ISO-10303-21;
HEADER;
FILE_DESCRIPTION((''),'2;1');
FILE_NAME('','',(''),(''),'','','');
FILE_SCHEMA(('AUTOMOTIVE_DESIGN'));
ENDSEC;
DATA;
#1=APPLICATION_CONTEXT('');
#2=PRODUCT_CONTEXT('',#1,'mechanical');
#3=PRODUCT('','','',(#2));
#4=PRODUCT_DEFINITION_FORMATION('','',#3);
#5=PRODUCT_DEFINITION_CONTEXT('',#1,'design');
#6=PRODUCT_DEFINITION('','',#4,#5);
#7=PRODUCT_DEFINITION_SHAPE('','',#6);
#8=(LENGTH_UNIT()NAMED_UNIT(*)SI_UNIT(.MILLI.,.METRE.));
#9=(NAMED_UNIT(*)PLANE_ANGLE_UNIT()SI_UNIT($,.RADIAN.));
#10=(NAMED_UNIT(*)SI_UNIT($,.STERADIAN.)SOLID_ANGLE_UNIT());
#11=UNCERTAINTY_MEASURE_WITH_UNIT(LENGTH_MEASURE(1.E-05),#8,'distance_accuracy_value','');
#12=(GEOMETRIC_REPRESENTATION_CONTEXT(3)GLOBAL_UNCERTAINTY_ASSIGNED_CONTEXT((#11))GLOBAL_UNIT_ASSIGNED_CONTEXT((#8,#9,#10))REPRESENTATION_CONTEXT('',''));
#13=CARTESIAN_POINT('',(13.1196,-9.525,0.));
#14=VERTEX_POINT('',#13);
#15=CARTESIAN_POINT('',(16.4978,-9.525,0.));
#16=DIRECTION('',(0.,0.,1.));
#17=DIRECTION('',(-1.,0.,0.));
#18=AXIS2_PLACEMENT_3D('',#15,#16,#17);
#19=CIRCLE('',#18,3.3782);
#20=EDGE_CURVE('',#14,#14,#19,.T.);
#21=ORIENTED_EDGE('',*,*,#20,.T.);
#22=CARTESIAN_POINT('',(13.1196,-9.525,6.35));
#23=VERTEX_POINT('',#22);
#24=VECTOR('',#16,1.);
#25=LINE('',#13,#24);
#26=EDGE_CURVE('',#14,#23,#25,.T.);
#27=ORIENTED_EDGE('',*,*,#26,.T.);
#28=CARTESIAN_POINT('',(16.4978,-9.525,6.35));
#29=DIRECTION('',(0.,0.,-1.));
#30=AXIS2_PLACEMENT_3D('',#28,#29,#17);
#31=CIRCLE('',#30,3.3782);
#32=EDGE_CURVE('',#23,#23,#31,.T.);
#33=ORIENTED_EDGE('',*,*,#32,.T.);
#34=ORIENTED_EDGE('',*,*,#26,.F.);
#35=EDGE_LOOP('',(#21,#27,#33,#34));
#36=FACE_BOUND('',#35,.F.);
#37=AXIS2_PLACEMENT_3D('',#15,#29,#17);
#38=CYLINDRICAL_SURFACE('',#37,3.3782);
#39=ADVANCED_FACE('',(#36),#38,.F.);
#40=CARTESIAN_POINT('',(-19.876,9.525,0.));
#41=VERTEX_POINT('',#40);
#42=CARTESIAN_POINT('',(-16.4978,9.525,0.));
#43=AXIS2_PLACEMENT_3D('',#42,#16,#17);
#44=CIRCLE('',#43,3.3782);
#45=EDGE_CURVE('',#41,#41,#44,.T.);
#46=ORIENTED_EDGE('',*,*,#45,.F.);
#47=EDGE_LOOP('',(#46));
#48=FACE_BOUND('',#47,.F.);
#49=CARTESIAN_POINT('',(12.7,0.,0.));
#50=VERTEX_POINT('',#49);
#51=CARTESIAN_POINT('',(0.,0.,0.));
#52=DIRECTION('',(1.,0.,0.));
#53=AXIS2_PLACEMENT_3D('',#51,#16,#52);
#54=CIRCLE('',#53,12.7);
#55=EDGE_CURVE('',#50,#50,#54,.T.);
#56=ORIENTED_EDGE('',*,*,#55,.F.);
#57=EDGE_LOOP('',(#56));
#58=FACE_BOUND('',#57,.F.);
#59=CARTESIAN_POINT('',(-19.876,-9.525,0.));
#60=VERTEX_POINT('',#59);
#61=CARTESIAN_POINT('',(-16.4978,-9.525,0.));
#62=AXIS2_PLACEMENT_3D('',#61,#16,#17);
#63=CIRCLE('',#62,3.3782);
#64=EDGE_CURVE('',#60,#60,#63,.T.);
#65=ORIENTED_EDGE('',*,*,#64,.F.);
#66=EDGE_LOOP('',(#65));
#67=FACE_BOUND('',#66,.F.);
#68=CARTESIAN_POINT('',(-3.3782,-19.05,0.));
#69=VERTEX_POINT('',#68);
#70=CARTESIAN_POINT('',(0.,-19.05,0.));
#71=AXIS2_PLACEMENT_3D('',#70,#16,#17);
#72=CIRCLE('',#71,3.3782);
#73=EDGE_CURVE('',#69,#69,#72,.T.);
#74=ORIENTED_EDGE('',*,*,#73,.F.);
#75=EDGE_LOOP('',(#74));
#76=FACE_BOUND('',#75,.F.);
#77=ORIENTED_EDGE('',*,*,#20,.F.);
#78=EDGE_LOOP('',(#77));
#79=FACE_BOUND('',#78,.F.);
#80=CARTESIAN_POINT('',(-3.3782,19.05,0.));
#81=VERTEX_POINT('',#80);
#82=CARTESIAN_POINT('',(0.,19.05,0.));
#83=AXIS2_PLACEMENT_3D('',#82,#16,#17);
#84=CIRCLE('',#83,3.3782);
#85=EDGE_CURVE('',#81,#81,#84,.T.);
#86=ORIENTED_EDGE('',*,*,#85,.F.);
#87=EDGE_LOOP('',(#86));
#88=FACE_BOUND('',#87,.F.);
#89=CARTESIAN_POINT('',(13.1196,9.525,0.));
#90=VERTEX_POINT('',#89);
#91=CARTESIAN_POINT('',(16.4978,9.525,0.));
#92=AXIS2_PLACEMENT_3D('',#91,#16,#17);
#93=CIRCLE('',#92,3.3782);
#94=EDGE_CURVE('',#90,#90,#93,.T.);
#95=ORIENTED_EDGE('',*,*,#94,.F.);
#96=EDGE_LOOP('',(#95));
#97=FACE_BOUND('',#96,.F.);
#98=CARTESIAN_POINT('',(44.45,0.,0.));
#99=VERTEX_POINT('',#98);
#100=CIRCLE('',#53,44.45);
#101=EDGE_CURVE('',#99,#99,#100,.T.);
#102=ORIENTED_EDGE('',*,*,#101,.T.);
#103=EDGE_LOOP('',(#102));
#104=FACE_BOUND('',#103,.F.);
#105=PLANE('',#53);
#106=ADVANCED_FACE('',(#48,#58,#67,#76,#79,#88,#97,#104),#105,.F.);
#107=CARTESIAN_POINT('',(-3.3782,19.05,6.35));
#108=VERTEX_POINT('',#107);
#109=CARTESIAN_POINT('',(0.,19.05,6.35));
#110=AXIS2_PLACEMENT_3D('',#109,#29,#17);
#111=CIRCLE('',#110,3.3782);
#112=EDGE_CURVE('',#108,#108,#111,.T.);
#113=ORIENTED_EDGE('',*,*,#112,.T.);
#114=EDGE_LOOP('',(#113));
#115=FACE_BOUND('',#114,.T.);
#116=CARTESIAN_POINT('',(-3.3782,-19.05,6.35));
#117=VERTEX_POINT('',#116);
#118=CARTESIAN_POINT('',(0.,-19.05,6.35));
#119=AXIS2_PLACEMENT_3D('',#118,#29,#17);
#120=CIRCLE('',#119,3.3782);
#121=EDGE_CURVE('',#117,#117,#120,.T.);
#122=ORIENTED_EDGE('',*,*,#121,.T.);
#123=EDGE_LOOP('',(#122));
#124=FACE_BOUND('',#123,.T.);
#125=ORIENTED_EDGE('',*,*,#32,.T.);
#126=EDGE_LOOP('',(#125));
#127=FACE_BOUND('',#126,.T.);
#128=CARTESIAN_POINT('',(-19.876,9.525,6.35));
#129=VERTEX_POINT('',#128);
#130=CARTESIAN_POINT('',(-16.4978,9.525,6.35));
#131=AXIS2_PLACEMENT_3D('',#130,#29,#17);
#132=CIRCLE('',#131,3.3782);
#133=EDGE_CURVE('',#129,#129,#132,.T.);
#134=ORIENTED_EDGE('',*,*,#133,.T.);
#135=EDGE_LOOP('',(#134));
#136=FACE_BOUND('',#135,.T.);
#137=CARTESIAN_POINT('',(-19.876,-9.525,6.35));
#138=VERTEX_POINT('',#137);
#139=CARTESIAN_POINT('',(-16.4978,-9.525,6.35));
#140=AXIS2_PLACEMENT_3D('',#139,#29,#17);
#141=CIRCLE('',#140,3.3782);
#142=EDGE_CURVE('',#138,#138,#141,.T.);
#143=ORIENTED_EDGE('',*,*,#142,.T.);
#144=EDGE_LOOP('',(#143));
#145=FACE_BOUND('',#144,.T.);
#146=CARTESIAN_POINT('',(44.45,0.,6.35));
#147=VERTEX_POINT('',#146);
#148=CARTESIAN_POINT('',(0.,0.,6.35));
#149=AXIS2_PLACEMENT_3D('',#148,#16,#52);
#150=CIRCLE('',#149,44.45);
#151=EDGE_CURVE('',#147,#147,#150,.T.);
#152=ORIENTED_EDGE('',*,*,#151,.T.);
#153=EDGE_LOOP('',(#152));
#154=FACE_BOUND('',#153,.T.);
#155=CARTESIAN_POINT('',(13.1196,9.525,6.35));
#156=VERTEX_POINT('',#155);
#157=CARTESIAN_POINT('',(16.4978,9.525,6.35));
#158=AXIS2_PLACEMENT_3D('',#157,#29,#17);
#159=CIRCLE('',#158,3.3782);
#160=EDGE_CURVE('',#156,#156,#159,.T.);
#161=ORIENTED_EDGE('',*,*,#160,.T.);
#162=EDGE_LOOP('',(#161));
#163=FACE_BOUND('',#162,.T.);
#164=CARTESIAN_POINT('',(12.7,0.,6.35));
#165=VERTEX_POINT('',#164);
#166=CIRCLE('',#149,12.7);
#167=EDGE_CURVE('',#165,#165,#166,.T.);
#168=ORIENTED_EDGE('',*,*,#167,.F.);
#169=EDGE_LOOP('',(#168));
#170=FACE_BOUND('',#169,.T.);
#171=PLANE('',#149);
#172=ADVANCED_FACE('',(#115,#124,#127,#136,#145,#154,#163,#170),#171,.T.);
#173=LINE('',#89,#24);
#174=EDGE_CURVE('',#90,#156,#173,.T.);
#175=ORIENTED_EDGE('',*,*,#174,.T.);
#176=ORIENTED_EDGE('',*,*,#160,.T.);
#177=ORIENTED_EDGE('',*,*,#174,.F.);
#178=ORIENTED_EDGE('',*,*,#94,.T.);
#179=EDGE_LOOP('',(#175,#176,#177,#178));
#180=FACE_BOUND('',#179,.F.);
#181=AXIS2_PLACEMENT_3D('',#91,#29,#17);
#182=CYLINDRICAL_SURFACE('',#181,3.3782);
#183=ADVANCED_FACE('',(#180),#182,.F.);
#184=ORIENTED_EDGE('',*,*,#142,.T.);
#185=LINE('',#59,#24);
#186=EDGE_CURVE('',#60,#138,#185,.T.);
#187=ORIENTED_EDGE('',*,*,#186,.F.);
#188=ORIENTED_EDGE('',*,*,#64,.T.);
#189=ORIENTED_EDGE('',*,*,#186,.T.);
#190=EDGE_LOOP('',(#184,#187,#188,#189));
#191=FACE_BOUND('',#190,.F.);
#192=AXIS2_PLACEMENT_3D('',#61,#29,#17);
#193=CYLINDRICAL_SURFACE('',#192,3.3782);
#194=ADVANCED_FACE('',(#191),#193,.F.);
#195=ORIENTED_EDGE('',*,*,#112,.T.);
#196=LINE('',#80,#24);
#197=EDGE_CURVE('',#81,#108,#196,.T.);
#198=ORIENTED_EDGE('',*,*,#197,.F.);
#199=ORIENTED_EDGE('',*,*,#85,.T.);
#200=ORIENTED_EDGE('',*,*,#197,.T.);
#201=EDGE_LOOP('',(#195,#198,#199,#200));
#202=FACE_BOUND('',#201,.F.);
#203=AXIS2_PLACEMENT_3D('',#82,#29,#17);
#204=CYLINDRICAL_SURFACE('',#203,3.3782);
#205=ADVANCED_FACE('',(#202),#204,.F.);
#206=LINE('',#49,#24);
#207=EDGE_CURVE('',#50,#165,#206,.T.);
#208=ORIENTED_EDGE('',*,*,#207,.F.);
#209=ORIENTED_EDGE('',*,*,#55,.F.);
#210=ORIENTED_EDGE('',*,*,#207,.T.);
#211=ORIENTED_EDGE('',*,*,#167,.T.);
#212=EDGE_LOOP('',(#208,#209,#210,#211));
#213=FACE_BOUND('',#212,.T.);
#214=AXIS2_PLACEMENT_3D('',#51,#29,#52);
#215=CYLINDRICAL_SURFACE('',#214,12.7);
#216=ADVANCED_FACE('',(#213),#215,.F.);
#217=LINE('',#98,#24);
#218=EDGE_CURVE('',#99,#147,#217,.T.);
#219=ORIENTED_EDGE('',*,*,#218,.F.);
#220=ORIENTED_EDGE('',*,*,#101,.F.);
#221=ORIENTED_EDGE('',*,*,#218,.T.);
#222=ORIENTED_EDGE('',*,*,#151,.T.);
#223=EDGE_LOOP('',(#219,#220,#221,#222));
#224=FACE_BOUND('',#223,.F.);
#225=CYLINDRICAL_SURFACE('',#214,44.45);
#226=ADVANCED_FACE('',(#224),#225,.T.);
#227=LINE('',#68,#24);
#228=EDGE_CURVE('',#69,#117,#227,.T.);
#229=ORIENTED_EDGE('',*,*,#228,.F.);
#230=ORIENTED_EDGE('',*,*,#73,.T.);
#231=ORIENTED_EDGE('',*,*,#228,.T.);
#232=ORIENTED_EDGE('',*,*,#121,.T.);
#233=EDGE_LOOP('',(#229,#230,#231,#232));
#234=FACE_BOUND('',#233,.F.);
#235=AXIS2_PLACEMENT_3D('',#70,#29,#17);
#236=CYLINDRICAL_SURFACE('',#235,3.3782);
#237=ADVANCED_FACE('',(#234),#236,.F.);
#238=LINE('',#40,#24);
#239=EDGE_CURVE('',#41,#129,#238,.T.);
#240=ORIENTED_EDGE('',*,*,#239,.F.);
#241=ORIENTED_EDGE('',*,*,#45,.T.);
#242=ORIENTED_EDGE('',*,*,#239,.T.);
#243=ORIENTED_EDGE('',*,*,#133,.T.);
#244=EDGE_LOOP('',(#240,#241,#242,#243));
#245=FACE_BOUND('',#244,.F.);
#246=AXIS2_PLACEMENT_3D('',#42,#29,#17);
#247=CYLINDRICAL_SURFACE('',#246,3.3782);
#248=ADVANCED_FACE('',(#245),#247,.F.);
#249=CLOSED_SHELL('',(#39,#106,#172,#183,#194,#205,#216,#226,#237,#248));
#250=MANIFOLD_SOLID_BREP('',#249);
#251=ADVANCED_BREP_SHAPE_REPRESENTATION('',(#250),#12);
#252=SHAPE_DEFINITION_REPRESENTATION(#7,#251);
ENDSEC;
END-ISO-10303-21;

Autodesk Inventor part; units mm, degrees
ref_plane "YZ Plane" through (0, 0, 0) normal (1, 0, 0) x (0, 1, 0)
ref_plane "XZ Plane" through (0, 0, 0) normal (0, 1, 0) x (-1, 0, 0)
ref_plane "XY Plane" through (0, 0, 0) normal (0, 0, 1) x (1, 0, 0)
sketch "Sketch1" plane through (0, 0, 0) normal (0, 0, 1) x (1, 0, 0)
  circle A0 centre (0, 0) radius 12.7
  circle A1 centre (0, 0) radius 44.45
  dimension "d0" = 25.4
  dimension "d1" = 88.9
extrude "Extrusion1" add sketch "Sketch1" along normal blind 6.35
sketch "Sketch2" plane through (0, 0, 0) normal (0, 0, -1) x (-1, 0, 0)
  circle A0 centre (0, 0) radius 19.05
  circle A1 centre (0, -19.05) radius 3.3782
  circle A2 centre (16.4978, -9.525) radius 3.3782
  circle A3 centre (16.4978, 9.525) radius 3.3782
  circle A4 centre (0, 19.05) radius 3.3782
  circle A5 centre (-16.4978, 9.525) radius 3.3782
  circle A6 centre (-16.4978, -9.525) radius 3.3782
  dimension "d4" = 38.1
  dimension "d5" = 6.7564
  dimension "d8" = 360
extrude "Extrusion2" cut sketch "Sketch2" against normal blind 6.35 contours A3 A0 | A0 A3 | A2 A0 | A0 A2 | A4 A0 | A0 A4 | A1 A0 | A0 A1 | A5 A0 | A0 A5 | A6 A0 | A0 A6
properties part number "AZUSASprocketSmall"
